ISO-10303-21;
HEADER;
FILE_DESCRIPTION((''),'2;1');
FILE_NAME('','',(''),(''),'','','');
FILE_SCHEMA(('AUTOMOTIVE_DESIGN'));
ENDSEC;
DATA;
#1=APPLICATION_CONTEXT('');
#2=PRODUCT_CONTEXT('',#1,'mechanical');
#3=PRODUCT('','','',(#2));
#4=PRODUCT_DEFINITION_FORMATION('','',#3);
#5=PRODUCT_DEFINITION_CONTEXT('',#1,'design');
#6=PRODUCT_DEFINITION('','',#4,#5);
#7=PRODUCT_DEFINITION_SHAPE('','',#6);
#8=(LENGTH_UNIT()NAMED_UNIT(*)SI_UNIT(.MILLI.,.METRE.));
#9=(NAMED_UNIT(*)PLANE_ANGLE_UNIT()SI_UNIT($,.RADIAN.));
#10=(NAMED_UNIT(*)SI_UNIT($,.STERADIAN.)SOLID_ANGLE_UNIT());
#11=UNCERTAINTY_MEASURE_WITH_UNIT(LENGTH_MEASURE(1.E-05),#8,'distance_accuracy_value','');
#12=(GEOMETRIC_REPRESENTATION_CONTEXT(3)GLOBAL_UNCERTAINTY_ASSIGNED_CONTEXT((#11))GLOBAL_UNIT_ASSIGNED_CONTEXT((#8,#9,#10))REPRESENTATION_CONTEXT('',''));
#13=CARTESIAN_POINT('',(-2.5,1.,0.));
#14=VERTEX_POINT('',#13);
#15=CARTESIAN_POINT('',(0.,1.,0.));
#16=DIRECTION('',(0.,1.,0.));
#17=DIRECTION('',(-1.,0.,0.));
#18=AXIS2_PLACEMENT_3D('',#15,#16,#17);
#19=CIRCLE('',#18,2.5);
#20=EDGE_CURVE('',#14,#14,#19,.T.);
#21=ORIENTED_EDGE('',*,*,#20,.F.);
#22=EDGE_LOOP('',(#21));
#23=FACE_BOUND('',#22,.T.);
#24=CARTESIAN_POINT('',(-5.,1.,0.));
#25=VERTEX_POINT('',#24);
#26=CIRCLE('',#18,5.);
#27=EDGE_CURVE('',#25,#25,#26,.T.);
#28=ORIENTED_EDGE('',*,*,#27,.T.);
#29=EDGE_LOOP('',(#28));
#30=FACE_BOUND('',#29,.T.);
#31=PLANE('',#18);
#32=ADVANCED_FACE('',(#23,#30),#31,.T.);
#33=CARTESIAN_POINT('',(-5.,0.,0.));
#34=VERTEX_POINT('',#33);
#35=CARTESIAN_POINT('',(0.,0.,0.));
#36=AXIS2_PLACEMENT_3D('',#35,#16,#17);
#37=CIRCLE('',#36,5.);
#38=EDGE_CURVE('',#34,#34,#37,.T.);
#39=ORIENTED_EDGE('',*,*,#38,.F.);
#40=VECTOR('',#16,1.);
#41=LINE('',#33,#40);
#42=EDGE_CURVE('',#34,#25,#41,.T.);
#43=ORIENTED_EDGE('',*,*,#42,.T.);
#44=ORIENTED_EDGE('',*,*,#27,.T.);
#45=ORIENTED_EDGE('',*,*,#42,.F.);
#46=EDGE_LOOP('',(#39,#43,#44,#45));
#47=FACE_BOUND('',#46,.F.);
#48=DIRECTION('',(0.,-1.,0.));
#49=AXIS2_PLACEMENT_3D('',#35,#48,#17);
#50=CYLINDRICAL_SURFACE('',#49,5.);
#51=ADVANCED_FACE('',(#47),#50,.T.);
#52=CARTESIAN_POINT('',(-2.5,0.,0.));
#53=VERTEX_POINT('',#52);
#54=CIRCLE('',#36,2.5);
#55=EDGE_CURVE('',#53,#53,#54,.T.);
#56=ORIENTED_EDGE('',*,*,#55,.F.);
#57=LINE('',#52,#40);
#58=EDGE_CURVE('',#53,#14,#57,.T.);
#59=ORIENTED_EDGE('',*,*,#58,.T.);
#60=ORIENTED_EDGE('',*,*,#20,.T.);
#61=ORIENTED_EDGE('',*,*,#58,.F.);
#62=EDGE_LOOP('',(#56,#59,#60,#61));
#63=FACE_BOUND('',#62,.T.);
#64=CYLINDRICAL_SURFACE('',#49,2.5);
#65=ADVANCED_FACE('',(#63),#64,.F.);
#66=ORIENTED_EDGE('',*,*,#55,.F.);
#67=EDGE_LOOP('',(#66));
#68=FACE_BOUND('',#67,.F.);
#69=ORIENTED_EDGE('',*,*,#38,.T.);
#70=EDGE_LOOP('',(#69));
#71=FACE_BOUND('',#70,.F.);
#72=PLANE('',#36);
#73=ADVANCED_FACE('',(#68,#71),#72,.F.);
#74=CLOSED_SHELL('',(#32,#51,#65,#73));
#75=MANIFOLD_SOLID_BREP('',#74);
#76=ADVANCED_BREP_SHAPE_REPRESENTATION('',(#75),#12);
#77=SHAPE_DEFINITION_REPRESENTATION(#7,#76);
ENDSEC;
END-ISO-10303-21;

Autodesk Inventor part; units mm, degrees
ref_plane "YZ Plane" through (0, 0, 0) normal (1, 0, 0) x (0, 1, 0)
ref_plane "XZ Plane" through (0, 0, 0) normal (0, 1, 0) x (-1, 0, 0)
ref_plane "XY Plane" through (0, 0, 0) normal (0, 0, 1) x (1, 0, 0)
sketch "Sketch1" plane through (0, 0, 0) normal (0, 1, 0) x (-1, 0, 0)
  circle A0 centre (0, 0) radius 2.5
  circle A1 centre (0, 0) radius 5
  dimension "d0" = 5
  dimension "d1" = 10
extrude "Extrusion1" add sketch "Sketch1" along normal blind 1
properties part number "washer_10_mm"
